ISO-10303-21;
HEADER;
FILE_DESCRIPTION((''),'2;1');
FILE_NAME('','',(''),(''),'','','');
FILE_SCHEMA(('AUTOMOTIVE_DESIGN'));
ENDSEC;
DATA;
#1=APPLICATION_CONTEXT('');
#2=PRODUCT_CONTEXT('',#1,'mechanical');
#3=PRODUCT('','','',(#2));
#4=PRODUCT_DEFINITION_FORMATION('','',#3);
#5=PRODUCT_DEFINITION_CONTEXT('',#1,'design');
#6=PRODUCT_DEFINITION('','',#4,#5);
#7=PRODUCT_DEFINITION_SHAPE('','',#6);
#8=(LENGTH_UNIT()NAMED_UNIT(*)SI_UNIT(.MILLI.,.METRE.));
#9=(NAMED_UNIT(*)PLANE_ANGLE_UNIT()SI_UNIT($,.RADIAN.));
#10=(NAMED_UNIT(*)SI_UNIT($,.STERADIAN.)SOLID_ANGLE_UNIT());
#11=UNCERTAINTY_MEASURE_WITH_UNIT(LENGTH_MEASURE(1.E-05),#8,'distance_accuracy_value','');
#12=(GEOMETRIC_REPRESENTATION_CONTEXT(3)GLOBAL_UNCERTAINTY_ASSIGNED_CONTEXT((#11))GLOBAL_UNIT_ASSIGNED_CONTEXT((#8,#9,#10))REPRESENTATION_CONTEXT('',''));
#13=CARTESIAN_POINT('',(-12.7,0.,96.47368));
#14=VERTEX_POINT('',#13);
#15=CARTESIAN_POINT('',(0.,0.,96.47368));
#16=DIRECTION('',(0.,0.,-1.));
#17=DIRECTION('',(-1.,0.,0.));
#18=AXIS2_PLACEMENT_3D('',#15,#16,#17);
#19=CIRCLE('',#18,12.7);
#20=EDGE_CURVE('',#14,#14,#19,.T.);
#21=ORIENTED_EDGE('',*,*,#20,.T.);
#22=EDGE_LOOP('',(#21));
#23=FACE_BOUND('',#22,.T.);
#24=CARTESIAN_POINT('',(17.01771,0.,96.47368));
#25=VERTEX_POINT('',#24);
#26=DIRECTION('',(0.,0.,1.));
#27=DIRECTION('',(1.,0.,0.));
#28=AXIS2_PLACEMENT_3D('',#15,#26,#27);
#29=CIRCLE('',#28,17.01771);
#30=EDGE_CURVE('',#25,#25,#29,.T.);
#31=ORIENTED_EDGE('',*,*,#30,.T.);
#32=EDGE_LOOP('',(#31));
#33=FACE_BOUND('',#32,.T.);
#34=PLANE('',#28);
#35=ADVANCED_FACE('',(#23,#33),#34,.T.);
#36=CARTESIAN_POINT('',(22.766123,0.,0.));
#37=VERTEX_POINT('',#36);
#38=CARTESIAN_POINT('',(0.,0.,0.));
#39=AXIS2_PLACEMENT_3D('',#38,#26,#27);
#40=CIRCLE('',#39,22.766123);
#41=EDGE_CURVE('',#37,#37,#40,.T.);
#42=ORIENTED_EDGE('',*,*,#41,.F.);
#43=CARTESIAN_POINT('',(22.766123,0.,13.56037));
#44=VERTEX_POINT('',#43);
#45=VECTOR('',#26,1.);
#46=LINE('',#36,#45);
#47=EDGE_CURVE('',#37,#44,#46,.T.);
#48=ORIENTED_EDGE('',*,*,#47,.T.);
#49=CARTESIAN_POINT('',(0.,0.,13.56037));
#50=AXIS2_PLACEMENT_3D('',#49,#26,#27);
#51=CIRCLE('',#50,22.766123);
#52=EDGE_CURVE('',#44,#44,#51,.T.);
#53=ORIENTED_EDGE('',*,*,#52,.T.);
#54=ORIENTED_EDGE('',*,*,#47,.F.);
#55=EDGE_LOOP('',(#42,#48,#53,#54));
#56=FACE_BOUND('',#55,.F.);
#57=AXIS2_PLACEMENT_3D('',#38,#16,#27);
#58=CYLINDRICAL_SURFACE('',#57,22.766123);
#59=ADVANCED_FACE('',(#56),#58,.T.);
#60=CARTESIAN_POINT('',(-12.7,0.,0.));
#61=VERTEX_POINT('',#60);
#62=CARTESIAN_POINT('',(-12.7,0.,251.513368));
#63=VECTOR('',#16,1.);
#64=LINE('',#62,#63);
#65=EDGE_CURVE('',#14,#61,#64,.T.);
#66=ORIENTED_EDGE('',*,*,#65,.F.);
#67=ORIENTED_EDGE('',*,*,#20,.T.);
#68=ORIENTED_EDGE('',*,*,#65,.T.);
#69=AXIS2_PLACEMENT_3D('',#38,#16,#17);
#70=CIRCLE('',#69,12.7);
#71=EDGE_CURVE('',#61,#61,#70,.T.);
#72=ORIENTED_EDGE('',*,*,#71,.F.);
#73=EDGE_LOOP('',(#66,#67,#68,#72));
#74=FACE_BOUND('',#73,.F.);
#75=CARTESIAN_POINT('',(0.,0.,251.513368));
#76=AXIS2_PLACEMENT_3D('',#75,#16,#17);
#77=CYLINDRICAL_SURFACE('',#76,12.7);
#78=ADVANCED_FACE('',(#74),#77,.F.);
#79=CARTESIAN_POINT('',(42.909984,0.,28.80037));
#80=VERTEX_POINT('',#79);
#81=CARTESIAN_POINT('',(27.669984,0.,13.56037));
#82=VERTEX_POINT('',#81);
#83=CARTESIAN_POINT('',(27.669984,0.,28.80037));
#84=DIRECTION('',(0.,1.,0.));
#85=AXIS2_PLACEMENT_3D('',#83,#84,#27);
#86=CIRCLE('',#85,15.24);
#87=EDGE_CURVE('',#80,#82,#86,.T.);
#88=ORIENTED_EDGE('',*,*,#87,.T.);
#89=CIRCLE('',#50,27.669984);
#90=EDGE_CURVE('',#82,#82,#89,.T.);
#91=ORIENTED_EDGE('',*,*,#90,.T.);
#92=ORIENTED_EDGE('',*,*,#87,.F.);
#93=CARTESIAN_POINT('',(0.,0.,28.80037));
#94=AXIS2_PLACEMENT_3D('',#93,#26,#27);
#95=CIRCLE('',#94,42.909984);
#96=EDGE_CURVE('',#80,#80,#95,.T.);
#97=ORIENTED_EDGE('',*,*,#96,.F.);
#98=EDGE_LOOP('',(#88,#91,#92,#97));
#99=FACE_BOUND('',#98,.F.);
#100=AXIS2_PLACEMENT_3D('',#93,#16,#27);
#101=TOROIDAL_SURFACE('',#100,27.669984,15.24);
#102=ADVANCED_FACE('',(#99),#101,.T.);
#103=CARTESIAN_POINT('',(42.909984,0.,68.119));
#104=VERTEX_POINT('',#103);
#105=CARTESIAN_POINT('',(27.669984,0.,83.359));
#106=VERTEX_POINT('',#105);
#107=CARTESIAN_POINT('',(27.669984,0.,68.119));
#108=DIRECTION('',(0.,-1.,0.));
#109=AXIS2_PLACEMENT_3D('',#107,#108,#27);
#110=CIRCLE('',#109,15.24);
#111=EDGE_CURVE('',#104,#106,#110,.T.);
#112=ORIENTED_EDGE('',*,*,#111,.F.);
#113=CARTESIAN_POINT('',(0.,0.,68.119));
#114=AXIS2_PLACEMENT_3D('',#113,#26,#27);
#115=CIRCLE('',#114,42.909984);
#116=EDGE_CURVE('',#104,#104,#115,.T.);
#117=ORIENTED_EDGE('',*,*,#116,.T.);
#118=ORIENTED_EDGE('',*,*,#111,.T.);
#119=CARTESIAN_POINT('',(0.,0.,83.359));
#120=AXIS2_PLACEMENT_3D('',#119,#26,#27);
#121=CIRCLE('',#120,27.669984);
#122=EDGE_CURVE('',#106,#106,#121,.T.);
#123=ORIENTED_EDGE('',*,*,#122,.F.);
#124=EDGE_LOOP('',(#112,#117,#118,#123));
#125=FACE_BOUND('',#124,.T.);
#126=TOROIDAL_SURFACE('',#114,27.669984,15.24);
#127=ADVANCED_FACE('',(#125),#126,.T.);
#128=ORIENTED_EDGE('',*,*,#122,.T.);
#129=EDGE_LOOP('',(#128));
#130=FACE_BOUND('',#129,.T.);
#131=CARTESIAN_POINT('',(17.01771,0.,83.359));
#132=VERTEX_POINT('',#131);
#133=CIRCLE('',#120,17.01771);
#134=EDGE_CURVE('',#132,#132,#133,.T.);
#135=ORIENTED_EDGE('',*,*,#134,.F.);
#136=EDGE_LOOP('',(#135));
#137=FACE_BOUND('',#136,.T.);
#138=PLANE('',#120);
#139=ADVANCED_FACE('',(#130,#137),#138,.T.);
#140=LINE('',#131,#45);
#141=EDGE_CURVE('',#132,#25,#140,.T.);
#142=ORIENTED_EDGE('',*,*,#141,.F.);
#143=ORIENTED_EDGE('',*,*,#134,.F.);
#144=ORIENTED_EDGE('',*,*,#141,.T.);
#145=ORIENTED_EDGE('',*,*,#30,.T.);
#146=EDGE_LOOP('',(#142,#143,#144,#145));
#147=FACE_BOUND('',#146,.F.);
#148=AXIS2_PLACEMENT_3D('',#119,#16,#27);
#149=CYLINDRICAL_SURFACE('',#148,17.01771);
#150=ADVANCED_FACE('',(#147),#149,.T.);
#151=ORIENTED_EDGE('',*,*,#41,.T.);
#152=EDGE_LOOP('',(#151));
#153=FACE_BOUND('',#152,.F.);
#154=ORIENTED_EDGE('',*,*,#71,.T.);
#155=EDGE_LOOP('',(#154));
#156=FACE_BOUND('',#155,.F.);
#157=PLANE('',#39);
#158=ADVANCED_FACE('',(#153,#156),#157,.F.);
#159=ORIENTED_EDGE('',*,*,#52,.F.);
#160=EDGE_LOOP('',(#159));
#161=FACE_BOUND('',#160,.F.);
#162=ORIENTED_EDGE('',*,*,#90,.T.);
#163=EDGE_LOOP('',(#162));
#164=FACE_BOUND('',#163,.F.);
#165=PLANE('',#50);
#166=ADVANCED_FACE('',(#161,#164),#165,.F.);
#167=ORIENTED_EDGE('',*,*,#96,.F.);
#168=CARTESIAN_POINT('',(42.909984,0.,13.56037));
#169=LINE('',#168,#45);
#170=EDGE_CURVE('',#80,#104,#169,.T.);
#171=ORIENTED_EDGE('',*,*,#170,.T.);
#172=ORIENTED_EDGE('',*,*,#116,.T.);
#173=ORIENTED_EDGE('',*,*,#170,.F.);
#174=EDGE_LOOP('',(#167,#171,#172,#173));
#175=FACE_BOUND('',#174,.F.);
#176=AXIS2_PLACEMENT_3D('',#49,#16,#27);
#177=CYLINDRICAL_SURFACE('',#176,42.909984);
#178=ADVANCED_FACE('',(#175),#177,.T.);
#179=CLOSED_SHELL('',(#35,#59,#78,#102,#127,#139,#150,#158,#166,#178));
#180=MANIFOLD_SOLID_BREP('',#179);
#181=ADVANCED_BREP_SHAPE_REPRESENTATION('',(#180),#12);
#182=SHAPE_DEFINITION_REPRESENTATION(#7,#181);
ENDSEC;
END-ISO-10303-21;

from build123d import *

# Parameters (mm, degrees)
F0_R     = 22.766123
F1_DEPTH = 13.56037
F2_R     = 42.909984
F2_R_2   = 22.766123
F3_DEPTH = 69.79863
F4_R     = 17.01771
F5_DEPTH = 13.11468
F6_R     = 15.24
F8_D     = 25.4


with BuildPart() as f1:
    # F0 (on Top) → F1 (new body)
    with BuildSketch(Plane.XY):
        Circle(F0_R)
    extrude(amount=F1_DEPTH)

    # F2 (on face) → F3 (join)
    with BuildSketch(Plane.XY.offset(13.56037)):
        Circle(F2_R)
        Circle(F2_R_2, mode=Mode.SUBTRACT)
        Circle(F2_R_2)
    extrude(amount=F3_DEPTH)

    # F4 (on face) → F5 (join)
    with BuildSketch(Plane.XY.offset(83.359)):
        Circle(F4_R)
    extrude(amount=F5_DEPTH)

    # F6
    f6_edges = [f1.edges().sort_by_distance(p)[0] for p in [
        (-42.909984, 0, 83.359),
        (-42.909984, 0, 13.56037),
    ]]
    fillet(f6_edges, radius=F6_R)

    # F8 (through all)
    with Locations(Plane.XY.offset(96.47368)):
        with Locations((0, 0)):
            Hole(F8_D / 2)


solid = f1.part
